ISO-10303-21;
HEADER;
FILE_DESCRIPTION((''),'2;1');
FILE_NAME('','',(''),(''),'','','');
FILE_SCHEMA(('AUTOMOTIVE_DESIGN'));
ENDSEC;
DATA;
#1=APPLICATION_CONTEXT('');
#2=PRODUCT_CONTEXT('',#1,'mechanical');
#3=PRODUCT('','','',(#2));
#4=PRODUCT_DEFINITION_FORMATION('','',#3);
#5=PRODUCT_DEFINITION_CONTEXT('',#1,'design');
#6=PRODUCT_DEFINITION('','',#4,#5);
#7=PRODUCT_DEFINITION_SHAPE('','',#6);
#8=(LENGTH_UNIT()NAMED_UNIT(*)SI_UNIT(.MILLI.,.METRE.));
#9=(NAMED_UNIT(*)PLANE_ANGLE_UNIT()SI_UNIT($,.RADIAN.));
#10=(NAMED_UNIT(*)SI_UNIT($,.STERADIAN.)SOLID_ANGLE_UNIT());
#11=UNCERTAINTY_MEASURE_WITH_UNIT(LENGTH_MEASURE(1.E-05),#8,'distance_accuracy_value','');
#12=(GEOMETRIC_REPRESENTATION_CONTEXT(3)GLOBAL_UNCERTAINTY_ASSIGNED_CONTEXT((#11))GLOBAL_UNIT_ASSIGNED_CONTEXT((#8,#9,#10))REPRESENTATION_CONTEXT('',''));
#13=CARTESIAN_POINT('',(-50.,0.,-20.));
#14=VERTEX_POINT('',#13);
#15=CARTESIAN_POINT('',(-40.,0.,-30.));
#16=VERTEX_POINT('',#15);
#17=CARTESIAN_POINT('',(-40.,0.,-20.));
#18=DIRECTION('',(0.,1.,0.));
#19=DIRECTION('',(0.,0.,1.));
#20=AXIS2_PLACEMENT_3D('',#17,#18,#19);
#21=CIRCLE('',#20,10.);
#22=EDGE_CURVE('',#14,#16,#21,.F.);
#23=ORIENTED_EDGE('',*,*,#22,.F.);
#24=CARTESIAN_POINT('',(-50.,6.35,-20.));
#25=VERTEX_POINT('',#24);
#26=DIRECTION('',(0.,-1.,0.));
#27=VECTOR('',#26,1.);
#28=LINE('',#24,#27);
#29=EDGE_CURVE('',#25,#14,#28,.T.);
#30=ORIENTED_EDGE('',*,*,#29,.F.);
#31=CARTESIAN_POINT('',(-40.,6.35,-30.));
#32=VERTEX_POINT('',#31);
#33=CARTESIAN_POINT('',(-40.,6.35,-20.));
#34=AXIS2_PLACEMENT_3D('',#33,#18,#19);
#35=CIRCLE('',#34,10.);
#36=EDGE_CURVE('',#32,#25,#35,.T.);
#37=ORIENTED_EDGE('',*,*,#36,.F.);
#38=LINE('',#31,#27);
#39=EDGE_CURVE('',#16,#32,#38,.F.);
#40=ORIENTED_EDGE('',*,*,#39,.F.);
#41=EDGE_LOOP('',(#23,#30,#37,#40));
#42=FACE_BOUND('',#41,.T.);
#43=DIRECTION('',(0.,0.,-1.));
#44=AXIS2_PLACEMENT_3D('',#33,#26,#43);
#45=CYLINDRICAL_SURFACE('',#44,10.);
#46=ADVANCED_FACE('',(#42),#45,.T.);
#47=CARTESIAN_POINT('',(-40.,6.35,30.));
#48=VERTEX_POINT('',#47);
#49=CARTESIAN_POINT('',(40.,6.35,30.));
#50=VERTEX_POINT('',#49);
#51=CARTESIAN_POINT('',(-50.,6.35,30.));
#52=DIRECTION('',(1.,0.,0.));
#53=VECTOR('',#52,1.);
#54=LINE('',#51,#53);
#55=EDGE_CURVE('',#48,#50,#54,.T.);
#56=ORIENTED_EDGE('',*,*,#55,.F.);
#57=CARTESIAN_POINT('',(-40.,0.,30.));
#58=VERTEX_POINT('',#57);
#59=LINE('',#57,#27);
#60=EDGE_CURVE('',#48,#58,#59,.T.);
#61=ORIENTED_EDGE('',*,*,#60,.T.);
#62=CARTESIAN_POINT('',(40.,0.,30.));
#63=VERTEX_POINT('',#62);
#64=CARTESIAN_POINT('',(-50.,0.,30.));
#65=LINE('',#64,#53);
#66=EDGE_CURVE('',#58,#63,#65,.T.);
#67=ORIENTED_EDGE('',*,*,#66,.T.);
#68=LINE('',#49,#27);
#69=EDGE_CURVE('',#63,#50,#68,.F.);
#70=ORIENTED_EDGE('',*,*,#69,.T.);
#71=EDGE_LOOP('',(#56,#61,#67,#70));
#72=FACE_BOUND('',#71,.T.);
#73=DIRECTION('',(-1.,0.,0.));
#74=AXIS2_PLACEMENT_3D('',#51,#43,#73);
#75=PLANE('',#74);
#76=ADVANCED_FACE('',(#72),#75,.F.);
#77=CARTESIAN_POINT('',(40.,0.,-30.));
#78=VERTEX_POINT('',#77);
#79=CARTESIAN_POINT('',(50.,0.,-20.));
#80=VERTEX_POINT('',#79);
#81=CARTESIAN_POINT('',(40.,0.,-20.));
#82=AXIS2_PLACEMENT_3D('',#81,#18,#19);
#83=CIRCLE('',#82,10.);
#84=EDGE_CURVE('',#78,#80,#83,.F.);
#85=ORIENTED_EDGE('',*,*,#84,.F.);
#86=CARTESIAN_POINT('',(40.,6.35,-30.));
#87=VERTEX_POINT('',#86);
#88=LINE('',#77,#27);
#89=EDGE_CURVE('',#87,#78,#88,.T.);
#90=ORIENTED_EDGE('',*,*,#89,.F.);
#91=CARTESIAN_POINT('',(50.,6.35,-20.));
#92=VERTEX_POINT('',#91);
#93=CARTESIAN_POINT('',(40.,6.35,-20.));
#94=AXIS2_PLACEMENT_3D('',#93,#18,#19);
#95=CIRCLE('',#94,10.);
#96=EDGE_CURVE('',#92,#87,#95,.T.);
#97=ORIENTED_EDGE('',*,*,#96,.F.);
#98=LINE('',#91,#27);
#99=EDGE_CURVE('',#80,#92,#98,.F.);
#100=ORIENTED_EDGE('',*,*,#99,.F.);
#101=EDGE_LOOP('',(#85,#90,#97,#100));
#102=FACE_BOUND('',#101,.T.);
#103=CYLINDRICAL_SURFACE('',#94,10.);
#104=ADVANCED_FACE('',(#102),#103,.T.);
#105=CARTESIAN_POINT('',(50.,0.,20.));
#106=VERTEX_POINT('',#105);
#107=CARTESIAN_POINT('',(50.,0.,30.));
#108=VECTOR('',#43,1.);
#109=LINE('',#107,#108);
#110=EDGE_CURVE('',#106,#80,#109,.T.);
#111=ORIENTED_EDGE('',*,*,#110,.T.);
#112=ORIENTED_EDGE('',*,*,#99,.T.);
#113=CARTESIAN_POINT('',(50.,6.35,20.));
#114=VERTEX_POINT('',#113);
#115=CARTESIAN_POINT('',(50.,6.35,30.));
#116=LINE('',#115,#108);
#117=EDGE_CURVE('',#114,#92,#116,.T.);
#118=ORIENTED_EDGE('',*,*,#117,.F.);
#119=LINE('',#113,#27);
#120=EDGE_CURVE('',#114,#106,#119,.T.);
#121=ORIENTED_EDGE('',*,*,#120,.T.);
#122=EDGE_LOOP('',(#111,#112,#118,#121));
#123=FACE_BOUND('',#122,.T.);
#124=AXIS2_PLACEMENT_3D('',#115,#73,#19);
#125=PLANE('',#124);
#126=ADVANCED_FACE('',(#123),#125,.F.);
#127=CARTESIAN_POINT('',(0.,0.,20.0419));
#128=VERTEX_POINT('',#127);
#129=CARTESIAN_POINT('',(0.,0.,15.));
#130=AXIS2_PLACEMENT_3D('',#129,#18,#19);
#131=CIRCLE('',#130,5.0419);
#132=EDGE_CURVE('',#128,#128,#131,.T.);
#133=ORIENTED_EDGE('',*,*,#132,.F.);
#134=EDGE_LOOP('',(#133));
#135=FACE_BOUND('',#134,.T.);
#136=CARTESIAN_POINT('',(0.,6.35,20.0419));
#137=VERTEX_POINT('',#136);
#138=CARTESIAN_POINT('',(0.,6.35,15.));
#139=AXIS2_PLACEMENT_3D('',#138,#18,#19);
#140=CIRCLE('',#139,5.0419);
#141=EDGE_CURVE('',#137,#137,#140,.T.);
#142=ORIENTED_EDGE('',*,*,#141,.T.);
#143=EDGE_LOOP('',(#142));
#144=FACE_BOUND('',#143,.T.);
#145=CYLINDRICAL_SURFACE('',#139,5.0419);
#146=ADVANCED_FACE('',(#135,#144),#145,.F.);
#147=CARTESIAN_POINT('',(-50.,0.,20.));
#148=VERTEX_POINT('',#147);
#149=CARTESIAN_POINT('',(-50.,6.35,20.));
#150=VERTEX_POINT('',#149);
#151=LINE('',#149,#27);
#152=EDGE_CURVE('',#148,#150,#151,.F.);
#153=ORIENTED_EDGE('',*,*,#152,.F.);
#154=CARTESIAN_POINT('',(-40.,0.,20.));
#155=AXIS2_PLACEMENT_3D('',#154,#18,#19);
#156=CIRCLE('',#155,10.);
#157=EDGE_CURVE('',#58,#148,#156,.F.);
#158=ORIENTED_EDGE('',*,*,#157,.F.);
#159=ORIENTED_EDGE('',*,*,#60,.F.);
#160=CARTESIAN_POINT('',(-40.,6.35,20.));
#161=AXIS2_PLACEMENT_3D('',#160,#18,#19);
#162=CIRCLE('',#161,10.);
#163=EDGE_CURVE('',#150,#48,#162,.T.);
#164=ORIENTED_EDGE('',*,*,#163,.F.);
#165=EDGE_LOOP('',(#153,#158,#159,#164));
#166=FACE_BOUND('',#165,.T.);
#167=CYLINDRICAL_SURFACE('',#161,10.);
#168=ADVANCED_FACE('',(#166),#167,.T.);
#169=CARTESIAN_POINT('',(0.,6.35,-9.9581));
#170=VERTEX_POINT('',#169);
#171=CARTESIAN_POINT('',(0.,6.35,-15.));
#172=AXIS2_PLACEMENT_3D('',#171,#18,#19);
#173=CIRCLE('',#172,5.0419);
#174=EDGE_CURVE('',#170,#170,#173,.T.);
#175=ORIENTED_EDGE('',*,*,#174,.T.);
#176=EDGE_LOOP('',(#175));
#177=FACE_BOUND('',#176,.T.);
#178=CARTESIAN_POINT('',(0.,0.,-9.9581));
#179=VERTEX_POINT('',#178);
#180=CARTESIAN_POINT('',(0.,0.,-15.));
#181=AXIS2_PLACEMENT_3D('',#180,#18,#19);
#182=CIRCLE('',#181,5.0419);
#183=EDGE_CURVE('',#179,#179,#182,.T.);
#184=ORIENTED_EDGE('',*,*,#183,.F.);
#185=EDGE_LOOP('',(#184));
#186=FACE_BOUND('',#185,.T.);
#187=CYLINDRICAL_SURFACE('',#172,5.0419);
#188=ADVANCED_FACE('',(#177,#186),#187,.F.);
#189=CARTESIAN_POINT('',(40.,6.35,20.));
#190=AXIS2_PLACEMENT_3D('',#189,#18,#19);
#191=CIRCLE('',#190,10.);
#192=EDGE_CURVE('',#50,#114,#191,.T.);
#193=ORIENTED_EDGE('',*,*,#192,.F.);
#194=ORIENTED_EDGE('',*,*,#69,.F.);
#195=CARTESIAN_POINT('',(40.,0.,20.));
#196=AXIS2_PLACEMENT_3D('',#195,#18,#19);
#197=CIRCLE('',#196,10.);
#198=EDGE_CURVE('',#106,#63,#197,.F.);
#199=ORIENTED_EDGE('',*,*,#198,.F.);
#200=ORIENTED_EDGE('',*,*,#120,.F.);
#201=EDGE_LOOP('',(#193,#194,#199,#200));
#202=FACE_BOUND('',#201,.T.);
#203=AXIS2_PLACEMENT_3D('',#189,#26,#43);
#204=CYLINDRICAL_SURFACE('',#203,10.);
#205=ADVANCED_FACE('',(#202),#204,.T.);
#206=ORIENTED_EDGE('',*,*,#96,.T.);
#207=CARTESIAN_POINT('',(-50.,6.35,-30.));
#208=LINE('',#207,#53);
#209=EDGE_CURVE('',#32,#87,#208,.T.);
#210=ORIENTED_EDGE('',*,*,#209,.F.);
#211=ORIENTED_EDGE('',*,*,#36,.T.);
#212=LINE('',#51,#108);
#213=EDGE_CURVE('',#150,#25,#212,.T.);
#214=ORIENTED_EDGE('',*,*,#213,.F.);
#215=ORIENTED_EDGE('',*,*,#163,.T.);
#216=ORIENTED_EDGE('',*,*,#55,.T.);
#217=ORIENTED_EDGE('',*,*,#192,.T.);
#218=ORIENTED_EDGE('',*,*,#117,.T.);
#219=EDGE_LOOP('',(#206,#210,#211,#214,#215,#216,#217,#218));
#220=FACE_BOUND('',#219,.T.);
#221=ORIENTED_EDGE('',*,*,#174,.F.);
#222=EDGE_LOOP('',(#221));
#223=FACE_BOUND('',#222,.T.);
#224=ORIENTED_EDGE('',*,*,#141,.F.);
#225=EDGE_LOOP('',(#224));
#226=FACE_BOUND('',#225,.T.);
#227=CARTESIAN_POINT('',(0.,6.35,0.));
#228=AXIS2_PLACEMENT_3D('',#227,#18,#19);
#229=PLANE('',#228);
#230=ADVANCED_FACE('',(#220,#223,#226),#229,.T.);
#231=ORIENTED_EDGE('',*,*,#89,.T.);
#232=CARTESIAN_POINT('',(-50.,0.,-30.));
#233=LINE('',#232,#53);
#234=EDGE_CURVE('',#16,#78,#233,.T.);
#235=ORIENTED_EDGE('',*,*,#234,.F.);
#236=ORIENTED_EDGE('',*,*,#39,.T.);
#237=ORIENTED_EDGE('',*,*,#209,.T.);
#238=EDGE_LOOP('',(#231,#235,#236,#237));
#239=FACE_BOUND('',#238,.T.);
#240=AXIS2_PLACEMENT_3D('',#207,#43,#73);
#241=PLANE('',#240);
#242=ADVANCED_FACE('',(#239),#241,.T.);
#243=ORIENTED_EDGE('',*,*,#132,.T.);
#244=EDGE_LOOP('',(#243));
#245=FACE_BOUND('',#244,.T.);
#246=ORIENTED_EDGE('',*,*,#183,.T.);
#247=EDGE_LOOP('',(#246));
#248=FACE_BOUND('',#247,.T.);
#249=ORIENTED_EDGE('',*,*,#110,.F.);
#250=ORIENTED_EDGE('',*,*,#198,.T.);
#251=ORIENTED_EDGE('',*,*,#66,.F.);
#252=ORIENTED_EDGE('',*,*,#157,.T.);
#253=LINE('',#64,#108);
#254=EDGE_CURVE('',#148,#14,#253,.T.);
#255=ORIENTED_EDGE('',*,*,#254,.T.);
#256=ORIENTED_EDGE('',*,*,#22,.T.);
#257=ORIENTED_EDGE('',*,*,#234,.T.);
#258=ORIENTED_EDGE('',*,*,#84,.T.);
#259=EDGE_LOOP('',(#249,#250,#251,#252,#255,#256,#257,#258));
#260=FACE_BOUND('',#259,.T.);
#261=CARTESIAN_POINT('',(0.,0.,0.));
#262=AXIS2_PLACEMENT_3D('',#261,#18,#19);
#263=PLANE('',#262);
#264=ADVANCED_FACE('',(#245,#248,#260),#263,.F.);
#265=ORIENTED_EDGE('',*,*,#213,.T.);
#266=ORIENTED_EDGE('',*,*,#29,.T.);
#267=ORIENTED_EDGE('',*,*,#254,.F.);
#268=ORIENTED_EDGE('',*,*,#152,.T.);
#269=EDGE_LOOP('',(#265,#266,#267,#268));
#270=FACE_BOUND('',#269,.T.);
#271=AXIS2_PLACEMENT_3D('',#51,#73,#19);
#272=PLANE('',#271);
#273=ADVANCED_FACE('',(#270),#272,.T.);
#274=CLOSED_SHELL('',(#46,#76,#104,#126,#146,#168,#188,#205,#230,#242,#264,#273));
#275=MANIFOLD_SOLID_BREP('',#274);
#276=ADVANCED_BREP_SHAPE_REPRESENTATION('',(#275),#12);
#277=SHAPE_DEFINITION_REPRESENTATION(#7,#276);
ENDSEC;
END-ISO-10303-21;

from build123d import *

# Parameters (mm, degrees)
SKETCH1_W               = 100
SKETCH1_H               = 60
BOSS_EXTRUDE1_DEPTH     = 6.35
F_3_8_CLEARANCE_HOLE1_D = 10.0838
FILLET1_R               = 10


with BuildPart() as part:
    # Sketch1 → Boss-Extrude1 (new body)
    with BuildSketch(Plane(origin=(0, 0, 0), x_dir=(1, 0, 0), z_dir=(0, 1, 0))):
        Rectangle(SKETCH1_W, SKETCH1_H)
    extrude(amount=BOSS_EXTRUDE1_DEPTH)

    # 3/8 Clearance Hole1 (through all)
    with Locations(Plane(origin=(0, 6.35, 0), x_dir=(1, 0, 0), z_dir=(0, 1, 0))):
        with Locations((0, 15), (0, -15)):
            Hole(F_3_8_CLEARANCE_HOLE1_D / 2)

    # Fillet1
    fillet1_edges = [part.edges().sort_by_distance(p)[0] for p in [
        (-50, 3.175, 30),
        (-50, 3.175, -30),
        (50, 3.175, -30),
        (50, 3.175, 30),
    ]]
    fillet(fillet1_edges, radius=FILLET1_R)


solid = part.part
